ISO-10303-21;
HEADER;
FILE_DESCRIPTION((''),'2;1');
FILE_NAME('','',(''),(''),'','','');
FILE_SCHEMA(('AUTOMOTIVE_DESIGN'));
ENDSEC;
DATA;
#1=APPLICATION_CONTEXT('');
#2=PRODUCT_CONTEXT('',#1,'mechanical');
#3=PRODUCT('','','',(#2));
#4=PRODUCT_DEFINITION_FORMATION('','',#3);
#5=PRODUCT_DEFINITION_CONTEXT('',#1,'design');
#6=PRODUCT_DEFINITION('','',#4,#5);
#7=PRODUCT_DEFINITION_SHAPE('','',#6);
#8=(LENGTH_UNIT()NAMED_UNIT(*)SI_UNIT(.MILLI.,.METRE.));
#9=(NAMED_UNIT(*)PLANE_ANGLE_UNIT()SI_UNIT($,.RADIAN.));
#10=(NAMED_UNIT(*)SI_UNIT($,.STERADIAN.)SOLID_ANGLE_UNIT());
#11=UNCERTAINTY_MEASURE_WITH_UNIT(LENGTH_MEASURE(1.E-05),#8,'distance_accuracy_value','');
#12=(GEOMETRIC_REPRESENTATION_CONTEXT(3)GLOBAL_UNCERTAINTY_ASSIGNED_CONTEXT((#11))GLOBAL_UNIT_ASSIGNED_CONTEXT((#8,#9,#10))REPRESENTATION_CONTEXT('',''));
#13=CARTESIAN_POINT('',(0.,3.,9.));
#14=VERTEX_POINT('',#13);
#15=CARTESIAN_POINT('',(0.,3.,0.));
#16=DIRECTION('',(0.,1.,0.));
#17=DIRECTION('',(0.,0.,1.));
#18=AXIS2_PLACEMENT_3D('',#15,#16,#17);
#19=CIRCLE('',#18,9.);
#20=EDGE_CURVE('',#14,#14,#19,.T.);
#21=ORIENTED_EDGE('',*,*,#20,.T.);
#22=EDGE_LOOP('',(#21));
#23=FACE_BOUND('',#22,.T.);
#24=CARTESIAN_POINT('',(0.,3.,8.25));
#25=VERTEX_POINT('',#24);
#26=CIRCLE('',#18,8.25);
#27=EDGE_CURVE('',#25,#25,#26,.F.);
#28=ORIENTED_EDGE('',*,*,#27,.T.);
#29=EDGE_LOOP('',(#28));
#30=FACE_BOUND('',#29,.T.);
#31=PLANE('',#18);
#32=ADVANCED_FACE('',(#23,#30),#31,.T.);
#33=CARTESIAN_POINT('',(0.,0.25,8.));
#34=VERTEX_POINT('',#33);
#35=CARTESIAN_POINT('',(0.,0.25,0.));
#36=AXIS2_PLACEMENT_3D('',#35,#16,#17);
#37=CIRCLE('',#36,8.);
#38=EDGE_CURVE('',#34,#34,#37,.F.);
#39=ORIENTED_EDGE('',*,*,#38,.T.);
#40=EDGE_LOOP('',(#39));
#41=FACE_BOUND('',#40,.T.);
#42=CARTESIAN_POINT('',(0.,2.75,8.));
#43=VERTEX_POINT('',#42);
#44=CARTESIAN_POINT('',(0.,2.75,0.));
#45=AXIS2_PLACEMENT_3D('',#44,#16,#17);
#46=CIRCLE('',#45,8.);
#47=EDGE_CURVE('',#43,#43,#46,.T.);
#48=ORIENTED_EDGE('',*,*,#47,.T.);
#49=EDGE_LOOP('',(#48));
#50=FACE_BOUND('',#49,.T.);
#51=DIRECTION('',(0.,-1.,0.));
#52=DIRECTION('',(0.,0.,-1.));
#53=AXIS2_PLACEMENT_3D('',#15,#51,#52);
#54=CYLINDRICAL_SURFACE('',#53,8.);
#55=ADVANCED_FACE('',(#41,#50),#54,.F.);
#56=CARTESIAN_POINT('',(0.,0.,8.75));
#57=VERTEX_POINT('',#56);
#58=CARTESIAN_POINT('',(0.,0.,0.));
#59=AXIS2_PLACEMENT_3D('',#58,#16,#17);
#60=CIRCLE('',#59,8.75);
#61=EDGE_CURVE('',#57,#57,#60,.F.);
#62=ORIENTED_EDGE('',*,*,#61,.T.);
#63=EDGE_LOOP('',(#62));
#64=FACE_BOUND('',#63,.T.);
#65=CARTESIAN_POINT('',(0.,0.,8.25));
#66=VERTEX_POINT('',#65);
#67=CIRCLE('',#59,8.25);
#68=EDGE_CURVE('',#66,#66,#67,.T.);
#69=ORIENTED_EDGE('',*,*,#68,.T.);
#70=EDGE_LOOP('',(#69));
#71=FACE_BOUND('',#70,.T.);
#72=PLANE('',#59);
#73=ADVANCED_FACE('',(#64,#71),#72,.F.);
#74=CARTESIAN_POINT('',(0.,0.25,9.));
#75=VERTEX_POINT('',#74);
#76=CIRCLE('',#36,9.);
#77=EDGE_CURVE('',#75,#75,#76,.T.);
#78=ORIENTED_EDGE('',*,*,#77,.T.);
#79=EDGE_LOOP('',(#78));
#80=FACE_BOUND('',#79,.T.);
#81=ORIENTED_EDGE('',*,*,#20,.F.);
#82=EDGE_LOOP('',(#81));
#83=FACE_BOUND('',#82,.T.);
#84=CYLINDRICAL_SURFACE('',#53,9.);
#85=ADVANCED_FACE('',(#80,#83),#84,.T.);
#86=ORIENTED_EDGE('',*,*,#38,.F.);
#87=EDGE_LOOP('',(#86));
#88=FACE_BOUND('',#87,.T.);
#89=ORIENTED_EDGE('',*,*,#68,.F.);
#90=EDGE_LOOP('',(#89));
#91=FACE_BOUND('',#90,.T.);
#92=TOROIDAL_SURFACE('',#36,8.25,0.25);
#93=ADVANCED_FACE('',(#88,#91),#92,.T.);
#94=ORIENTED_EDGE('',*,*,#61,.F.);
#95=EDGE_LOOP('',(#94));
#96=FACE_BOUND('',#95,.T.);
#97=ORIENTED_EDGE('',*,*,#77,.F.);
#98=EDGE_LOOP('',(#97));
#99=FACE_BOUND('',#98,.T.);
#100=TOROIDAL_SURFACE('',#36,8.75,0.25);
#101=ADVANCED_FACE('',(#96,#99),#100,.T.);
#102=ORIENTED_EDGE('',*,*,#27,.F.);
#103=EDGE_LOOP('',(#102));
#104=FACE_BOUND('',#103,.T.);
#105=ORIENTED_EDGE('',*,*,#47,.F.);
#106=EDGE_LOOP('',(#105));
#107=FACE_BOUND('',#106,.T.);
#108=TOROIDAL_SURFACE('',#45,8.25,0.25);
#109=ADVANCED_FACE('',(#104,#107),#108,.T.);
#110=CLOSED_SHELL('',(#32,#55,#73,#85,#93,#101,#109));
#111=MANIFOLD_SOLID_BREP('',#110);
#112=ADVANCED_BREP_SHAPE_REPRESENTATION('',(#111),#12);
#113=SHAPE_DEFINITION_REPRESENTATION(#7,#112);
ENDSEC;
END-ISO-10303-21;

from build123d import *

# Parameters (mm, degrees)
SKETCH_1_R      = 9
SKETCH_1_R_2    = 8
EXTRUDE_1_DEPTH = 3
FILLET_1_R      = 0.25


with BuildPart() as part:
    # 草图1 → 凸台-拉伸1 (new body)
    with BuildSketch(Plane(origin=(0, 0, 0), x_dir=(1, 0, 0), z_dir=(0, 1, 0))):
        Circle(SKETCH_1_R)
        Circle(SKETCH_1_R_2, mode=Mode.SUBTRACT)
    extrude(amount=EXTRUDE_1_DEPTH)

    # 圆角1
    fillet_1_edges = [part.edges().sort_by_distance(p)[0] for p in [
        (-9, 0, 0),
        (-8, 0, 0),
        (-8, 3, 0),
    ]]
    fillet(fillet_1_edges, radius=FILLET_1_R)


solid = part.part
